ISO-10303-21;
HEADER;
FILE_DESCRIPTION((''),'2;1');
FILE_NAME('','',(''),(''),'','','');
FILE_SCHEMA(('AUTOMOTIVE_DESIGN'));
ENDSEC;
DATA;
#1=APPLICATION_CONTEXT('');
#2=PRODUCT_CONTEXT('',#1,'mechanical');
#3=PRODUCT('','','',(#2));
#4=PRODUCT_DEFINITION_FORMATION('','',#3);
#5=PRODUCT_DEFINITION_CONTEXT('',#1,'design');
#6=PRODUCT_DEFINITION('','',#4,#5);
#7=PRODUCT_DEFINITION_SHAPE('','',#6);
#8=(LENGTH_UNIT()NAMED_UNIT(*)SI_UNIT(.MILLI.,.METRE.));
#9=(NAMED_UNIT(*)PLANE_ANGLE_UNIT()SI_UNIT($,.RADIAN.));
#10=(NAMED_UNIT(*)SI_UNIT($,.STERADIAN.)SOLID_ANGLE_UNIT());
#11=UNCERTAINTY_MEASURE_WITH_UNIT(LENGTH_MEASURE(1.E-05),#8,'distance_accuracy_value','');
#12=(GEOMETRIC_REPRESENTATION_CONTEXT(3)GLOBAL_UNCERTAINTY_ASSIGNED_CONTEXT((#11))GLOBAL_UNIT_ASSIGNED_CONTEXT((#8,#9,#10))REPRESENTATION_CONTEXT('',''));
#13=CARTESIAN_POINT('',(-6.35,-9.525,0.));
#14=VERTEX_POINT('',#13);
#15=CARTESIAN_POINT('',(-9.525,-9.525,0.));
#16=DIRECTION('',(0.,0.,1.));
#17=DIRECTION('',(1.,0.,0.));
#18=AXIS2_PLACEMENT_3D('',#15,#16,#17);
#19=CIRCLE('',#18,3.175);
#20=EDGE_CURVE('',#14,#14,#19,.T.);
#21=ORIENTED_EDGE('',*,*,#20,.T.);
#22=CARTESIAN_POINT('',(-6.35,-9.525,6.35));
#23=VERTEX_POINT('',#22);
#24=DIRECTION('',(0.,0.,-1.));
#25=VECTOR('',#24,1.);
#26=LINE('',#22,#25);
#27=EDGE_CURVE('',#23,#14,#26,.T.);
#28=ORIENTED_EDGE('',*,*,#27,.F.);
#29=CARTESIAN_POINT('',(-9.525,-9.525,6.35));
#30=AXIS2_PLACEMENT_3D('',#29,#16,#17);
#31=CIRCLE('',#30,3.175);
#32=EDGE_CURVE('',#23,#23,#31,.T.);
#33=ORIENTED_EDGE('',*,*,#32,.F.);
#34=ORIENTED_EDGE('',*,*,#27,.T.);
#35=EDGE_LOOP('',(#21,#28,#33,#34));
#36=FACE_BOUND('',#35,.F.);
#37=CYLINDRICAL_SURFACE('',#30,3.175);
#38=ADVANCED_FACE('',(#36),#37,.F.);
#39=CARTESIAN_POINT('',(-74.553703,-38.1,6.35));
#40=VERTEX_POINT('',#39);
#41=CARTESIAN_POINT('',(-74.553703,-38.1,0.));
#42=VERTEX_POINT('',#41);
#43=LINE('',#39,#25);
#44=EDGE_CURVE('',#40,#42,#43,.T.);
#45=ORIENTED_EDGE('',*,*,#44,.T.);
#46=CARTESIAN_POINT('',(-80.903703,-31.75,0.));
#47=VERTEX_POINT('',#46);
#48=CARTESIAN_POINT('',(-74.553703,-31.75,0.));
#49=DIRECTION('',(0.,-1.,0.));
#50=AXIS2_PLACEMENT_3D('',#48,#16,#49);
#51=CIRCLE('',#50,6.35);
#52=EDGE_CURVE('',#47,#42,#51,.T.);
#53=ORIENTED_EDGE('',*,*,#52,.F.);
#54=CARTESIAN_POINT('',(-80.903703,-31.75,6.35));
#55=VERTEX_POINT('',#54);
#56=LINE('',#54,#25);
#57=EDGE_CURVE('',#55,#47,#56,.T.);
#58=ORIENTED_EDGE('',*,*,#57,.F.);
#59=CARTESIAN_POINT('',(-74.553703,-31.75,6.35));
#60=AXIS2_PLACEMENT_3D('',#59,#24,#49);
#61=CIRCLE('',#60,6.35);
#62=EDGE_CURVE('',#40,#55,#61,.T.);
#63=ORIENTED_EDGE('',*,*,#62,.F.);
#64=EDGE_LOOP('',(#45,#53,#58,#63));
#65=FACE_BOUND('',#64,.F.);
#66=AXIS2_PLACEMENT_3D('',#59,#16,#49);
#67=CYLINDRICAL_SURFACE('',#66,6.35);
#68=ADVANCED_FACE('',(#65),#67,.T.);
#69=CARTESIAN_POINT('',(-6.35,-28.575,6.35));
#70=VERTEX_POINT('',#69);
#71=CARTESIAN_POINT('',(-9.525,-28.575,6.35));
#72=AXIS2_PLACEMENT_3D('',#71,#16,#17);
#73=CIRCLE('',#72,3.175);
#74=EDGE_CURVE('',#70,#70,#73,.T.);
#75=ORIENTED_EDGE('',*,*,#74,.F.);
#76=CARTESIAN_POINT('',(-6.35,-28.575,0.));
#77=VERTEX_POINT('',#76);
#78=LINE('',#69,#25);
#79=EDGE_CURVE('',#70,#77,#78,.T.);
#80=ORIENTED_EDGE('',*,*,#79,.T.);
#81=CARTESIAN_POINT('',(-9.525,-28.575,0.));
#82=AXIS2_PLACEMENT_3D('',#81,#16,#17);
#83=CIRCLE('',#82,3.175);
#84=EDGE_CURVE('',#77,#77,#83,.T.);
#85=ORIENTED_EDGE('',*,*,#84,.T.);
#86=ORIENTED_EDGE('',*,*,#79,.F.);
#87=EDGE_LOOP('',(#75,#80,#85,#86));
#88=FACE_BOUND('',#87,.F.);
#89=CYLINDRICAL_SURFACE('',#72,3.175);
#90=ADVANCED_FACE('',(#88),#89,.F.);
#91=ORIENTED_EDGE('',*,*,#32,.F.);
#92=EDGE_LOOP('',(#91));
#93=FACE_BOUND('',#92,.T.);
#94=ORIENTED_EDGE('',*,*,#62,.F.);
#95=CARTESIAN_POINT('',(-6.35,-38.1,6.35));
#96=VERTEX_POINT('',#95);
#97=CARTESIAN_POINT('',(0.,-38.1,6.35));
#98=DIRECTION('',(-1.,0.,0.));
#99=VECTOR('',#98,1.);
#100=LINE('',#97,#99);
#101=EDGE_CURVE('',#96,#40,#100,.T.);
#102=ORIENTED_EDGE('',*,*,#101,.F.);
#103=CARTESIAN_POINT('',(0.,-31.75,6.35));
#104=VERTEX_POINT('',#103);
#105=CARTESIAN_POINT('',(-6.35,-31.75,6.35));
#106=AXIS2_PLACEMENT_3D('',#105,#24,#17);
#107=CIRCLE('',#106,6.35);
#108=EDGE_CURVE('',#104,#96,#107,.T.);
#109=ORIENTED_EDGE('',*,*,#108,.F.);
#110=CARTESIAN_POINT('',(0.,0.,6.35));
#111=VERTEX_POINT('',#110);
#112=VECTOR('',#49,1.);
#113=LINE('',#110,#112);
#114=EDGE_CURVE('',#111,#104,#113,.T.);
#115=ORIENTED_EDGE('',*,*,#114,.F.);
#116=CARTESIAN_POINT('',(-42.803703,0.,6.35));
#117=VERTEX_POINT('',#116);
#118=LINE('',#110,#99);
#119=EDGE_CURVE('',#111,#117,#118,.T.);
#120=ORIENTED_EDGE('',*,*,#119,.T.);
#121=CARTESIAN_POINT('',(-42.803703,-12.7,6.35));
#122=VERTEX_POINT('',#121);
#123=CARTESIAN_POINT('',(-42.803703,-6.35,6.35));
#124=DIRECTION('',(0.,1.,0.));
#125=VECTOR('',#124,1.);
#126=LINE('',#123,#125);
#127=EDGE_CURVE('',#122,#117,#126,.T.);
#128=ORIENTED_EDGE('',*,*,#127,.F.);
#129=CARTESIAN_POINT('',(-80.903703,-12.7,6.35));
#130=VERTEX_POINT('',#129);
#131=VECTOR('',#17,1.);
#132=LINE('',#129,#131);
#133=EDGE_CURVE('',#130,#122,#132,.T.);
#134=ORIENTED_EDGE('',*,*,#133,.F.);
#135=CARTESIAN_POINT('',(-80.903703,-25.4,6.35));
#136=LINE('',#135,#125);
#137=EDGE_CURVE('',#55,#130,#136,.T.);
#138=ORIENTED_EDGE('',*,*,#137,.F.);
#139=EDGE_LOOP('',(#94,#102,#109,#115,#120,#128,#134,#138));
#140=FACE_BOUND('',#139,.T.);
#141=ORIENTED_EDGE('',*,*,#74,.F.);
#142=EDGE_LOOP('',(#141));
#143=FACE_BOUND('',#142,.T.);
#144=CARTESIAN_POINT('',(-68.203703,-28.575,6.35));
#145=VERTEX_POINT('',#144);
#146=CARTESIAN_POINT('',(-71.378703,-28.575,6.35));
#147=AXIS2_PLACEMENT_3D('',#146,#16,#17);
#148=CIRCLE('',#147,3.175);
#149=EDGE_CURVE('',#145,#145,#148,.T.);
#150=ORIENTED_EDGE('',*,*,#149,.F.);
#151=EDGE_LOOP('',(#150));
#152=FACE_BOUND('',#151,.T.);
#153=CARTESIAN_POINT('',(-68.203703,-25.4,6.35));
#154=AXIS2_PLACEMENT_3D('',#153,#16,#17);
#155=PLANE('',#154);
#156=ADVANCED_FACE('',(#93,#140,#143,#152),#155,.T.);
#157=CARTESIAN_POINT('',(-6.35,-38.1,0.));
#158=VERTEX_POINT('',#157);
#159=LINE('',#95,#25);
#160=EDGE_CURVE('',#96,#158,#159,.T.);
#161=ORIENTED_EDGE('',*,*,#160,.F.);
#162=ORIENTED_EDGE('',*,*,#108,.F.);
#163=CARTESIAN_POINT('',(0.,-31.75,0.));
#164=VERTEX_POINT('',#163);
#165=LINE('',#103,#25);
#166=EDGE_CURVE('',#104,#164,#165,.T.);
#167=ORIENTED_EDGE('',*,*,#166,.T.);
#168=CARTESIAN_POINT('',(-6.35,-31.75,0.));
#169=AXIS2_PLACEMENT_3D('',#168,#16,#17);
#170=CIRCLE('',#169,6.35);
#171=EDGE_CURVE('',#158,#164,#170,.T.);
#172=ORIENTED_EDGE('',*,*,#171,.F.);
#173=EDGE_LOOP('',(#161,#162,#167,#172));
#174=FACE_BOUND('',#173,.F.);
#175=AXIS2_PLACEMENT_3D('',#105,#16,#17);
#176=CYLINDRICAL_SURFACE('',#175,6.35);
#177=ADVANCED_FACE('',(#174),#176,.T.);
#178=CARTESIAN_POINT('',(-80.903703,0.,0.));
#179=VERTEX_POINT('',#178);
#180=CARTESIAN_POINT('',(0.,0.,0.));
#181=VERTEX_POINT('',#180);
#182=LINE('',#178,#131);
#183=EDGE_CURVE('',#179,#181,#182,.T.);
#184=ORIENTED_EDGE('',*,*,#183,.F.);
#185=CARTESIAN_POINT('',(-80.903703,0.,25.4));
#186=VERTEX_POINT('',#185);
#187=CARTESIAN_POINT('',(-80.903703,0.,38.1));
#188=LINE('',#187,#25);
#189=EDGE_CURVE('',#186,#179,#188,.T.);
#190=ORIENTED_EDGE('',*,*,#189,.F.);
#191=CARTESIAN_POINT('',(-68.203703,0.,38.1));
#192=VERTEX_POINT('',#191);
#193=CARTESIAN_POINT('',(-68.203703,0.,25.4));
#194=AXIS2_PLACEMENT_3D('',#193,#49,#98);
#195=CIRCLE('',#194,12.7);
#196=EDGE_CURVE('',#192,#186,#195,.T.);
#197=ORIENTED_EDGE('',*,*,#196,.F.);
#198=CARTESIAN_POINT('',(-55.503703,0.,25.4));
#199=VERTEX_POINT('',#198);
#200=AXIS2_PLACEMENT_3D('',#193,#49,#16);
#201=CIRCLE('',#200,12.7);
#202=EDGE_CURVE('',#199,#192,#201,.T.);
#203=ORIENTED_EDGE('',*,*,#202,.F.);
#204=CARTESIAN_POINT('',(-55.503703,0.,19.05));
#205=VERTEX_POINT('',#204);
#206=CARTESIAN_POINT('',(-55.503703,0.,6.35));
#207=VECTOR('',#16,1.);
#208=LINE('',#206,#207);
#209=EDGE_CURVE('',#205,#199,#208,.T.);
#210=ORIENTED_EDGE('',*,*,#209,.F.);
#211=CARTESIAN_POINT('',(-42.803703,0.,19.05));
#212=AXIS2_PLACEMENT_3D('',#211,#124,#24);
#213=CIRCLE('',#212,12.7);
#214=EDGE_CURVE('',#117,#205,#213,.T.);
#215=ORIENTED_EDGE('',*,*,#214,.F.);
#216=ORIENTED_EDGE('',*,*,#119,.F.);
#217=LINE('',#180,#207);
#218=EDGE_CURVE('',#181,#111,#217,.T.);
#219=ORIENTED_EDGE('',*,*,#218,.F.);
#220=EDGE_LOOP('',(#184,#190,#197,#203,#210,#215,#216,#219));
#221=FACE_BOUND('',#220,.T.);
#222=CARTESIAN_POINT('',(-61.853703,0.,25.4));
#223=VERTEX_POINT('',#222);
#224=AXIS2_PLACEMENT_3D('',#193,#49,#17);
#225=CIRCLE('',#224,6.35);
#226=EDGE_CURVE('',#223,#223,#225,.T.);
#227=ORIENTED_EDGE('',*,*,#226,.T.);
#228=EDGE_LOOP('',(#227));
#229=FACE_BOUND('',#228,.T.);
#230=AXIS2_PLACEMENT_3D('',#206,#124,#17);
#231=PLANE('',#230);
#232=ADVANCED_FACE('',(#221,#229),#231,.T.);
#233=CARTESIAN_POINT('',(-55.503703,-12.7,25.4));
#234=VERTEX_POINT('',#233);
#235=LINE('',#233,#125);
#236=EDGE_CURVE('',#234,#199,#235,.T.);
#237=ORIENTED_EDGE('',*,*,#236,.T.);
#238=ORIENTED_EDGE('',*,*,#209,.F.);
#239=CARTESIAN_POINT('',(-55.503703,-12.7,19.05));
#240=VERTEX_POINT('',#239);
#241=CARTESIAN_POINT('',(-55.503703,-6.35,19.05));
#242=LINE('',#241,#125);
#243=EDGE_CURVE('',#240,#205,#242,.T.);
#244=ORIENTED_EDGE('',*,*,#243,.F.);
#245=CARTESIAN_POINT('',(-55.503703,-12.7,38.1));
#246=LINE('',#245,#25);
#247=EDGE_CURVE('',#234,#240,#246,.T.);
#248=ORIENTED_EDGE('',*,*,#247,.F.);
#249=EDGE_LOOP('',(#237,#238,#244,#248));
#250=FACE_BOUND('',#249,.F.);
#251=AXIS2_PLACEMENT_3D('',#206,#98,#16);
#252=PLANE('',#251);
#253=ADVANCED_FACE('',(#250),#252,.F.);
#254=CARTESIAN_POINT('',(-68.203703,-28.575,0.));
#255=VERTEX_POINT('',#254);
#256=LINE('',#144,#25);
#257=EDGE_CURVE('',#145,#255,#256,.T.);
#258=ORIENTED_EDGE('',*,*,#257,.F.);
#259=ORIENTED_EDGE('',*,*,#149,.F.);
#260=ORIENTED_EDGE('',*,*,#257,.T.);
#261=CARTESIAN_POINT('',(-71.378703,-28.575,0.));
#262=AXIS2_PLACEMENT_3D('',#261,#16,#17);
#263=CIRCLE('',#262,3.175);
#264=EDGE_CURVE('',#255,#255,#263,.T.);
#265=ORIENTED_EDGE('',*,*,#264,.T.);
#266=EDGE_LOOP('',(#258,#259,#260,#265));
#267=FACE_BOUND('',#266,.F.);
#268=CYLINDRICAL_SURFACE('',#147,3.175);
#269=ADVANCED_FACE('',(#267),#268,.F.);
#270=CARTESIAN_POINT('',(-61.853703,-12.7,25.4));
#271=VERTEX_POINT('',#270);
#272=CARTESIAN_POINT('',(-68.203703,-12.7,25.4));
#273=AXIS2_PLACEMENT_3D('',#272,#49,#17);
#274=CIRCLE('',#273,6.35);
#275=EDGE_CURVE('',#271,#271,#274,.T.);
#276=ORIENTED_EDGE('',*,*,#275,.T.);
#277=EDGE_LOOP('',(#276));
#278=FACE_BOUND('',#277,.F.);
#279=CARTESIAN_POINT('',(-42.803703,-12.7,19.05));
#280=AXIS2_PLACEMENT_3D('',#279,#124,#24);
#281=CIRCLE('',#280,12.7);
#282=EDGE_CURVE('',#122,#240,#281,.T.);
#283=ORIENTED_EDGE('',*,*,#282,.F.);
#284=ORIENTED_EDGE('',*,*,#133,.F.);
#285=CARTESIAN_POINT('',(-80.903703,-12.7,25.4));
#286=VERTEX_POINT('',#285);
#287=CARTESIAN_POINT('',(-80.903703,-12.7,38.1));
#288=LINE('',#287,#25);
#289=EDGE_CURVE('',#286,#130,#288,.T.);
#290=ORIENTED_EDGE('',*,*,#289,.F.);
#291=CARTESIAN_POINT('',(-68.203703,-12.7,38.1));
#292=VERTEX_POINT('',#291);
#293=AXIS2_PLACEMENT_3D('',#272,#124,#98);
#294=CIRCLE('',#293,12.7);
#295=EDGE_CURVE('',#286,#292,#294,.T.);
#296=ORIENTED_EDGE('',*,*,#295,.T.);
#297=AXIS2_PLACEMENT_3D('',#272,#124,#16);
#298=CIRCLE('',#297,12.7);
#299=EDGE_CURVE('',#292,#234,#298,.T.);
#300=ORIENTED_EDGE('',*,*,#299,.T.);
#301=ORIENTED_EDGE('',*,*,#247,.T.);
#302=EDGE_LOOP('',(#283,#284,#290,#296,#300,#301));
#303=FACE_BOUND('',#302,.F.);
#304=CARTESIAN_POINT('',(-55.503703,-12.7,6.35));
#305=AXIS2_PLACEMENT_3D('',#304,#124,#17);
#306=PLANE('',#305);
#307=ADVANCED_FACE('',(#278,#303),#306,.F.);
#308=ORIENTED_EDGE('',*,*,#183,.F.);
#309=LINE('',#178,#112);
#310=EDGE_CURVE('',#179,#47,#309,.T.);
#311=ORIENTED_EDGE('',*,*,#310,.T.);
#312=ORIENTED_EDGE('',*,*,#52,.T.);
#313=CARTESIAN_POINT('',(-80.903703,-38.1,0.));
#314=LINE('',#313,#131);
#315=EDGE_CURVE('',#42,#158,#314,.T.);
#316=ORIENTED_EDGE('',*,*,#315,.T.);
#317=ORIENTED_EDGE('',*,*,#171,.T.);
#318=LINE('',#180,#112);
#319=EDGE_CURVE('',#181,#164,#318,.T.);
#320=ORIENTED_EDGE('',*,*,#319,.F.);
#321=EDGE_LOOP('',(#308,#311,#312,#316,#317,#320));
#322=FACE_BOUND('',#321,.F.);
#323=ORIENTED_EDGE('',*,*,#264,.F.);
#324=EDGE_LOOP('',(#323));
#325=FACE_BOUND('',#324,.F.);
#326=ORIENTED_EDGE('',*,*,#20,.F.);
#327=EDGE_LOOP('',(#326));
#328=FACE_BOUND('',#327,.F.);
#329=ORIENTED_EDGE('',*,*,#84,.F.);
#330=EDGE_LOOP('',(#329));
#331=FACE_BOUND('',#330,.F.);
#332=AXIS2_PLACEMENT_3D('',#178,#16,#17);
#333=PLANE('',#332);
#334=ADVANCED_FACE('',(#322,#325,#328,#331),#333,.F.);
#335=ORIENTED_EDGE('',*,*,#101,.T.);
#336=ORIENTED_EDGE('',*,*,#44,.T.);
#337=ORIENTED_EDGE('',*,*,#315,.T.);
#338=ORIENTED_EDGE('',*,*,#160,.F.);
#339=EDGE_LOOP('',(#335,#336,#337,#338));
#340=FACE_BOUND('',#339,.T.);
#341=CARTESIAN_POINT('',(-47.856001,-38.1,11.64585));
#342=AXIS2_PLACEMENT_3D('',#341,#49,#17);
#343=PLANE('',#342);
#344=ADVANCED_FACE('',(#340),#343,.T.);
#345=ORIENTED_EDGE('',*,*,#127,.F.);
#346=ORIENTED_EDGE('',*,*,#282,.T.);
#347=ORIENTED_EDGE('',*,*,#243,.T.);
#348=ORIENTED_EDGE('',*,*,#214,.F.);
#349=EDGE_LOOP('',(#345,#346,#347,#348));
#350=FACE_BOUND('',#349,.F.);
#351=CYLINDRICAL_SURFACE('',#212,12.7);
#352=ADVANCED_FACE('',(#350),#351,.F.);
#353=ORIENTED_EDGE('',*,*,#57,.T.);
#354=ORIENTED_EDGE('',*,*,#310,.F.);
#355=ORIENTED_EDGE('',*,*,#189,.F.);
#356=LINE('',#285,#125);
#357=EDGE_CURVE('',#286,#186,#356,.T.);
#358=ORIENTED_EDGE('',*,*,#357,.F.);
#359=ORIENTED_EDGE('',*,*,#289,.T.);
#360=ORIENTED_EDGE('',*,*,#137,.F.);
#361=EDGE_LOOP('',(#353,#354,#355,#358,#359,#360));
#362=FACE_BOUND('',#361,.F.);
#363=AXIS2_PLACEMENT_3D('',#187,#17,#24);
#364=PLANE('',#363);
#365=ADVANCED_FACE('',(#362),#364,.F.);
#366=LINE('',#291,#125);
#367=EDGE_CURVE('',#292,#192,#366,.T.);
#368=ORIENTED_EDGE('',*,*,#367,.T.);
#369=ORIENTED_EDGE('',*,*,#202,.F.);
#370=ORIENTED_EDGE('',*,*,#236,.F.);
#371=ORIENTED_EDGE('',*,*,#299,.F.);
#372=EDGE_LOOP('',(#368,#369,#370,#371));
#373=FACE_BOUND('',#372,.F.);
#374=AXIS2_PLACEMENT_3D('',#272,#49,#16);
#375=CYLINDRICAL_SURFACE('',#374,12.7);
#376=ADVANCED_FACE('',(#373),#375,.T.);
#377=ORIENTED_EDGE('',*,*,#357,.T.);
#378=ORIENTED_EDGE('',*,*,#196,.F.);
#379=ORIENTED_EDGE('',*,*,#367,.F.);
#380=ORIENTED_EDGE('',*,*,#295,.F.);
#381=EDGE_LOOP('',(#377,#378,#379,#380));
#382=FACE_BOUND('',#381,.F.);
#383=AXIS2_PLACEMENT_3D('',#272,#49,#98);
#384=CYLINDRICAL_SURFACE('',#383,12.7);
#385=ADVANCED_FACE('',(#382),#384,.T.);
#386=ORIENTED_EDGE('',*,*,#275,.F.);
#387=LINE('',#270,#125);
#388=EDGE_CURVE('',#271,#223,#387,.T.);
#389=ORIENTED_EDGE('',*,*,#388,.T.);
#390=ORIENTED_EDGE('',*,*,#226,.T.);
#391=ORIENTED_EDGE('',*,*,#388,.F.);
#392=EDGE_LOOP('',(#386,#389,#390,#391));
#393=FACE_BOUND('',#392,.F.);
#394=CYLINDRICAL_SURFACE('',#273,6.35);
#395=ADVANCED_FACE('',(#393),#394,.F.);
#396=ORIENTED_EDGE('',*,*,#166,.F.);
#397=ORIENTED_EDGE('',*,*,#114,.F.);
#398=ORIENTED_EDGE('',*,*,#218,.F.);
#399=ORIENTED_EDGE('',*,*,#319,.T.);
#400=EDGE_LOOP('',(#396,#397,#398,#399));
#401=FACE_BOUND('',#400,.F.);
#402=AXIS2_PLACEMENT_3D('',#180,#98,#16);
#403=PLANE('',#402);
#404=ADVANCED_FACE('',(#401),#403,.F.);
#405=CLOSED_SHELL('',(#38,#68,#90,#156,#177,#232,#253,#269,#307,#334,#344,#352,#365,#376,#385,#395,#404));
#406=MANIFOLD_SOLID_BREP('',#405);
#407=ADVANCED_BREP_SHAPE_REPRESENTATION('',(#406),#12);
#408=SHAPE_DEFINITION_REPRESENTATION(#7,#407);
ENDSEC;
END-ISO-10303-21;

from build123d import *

# Parameters (mm, degrees)
F1_DEPTH  = 38.1
F2_W      = 25.4
F2_H      = 25.4
F3_DEPTH  = 31.75
F4_W      = 12.7
F4_H      = 12.7
F5_DEPTH  = 12.7
F7_DEPTH  = 25.4
F9_DEPTH  = 25.4
F10_R     = 6.35
F11_DEPTH = 25.4
F12_R     = 3.175
F13_DEPTH = 25.4
F15_DEPTH = 25.4


with BuildPart() as f1:
    # F0 (on Front) → F1 (new body)
    with BuildSketch(Plane.XZ):
        Polygon((-80.9037027093, 0), (0, 0), (0, 6.35), (-55.5037027093, 6.35), (-55.5037027093, 38.1), (-80.9037027093, 38.1), align=None)
    extrude(amount=F1_DEPTH)

    # F2 (on face) → F3 (cut)
    with BuildSketch(Plane.XY.offset(38.1)):
        with Locations((-68.2037027093, -25.4)):
            Rectangle(F2_W, F2_H)
    extrude(amount=-F3_DEPTH, mode=Mode.SUBTRACT)

    # F4 (on face) → F5 (join)
    with BuildSketch(Plane.XY.offset(6.35)):
        with Locations((-49.1537027093, -6.35)):
            Rectangle(F4_W, F4_H)
    extrude(amount=F5_DEPTH)

    # F6 (on face) → F7 (cut)
    with BuildSketch(Plane(origin=(0, 0, 0), x_dir=(-1, 0, 0), z_dir=(0, 1, 0))):
        with BuildLine():
            ThreePointArc((42.8037027093, 6.35), (51.7839588303, 10.0697438789), (55.5037027093, 19.05))
            Line((55.5037027093, 19.05), (42.8037027093, 19.05))
            Line((42.8037027093, 19.05), (42.8037027093, 6.35))
        make_face()
    extrude(amount=-F7_DEPTH, mode=Mode.SUBTRACT)

    # F8 (on face) → F9 (cut)
    with BuildSketch(Plane.XZ.offset(12.7)):
        with BuildLine():
            ThreePointArc((-80.9037027093, 25.4), (-77.1839588303, 34.3802561211), (-68.2037027093, 38.1))
            Line((-68.2037027093, 38.1), (-80.9037027093, 38.1))
            Line((-80.9037027093, 38.1), (-80.9037027093, 25.4))
        make_face()
        with BuildLine():
            ThreePointArc((-68.2037027093, 38.1), (-59.2234465882, 34.3802561211), (-55.5037027093, 25.4))
            Line((-55.5037027093, 25.4), (-55.5037027093, 38.1))
            Line((-55.5037027093, 38.1), (-68.2037027093, 38.1))
        make_face()
    extrude(amount=-F9_DEPTH, mode=Mode.SUBTRACT)

    # F10 (on face) → F11 (cut)
    with BuildSketch(Plane.XZ.offset(12.7)):
        with Locations((-68.2037027093, 25.4)):
            Circle(F10_R)
    extrude(amount=-F11_DEPTH, mode=Mode.SUBTRACT)

    # F12 (on face) → F13 (cut)
    with BuildSketch(Plane.XY.offset(6.35)):
        with Locations((-9.525, -9.525)):
            Circle(F12_R)
        with Locations((-9.525, -28.575)):
            Circle(F12_R)
        with Locations((-71.3787027093, -28.575)):
            Circle(F12_R)
    extrude(amount=-F13_DEPTH, mode=Mode.SUBTRACT)

    # F14 (on face) → F15 (cut)
    with BuildSketch(Plane.XY.offset(6.35)):
        with BuildLine():
            Line((-80.9037027093, -38.1), (-74.5537027093, -38.1))
            ThreePointArc((-74.5537027093, -38.1), (-79.0438307698, -36.2401280605), (-80.9037027093, -31.75))
            Line((-80.9037027093, -31.75), (-80.9037027093, -38.1))
        make_face()
        with BuildLine():
            ThreePointArc((0, -31.75), (-1.8598719244, -36.2401280455), (-6.3499999575, -38.1))
            Line((-6.3499999575, -38.1), (0, -38.1))
            Line((0, -38.1), (0, -31.75))
        make_face()
    extrude(amount=-F15_DEPTH, mode=Mode.SUBTRACT)


solid = f1.part
